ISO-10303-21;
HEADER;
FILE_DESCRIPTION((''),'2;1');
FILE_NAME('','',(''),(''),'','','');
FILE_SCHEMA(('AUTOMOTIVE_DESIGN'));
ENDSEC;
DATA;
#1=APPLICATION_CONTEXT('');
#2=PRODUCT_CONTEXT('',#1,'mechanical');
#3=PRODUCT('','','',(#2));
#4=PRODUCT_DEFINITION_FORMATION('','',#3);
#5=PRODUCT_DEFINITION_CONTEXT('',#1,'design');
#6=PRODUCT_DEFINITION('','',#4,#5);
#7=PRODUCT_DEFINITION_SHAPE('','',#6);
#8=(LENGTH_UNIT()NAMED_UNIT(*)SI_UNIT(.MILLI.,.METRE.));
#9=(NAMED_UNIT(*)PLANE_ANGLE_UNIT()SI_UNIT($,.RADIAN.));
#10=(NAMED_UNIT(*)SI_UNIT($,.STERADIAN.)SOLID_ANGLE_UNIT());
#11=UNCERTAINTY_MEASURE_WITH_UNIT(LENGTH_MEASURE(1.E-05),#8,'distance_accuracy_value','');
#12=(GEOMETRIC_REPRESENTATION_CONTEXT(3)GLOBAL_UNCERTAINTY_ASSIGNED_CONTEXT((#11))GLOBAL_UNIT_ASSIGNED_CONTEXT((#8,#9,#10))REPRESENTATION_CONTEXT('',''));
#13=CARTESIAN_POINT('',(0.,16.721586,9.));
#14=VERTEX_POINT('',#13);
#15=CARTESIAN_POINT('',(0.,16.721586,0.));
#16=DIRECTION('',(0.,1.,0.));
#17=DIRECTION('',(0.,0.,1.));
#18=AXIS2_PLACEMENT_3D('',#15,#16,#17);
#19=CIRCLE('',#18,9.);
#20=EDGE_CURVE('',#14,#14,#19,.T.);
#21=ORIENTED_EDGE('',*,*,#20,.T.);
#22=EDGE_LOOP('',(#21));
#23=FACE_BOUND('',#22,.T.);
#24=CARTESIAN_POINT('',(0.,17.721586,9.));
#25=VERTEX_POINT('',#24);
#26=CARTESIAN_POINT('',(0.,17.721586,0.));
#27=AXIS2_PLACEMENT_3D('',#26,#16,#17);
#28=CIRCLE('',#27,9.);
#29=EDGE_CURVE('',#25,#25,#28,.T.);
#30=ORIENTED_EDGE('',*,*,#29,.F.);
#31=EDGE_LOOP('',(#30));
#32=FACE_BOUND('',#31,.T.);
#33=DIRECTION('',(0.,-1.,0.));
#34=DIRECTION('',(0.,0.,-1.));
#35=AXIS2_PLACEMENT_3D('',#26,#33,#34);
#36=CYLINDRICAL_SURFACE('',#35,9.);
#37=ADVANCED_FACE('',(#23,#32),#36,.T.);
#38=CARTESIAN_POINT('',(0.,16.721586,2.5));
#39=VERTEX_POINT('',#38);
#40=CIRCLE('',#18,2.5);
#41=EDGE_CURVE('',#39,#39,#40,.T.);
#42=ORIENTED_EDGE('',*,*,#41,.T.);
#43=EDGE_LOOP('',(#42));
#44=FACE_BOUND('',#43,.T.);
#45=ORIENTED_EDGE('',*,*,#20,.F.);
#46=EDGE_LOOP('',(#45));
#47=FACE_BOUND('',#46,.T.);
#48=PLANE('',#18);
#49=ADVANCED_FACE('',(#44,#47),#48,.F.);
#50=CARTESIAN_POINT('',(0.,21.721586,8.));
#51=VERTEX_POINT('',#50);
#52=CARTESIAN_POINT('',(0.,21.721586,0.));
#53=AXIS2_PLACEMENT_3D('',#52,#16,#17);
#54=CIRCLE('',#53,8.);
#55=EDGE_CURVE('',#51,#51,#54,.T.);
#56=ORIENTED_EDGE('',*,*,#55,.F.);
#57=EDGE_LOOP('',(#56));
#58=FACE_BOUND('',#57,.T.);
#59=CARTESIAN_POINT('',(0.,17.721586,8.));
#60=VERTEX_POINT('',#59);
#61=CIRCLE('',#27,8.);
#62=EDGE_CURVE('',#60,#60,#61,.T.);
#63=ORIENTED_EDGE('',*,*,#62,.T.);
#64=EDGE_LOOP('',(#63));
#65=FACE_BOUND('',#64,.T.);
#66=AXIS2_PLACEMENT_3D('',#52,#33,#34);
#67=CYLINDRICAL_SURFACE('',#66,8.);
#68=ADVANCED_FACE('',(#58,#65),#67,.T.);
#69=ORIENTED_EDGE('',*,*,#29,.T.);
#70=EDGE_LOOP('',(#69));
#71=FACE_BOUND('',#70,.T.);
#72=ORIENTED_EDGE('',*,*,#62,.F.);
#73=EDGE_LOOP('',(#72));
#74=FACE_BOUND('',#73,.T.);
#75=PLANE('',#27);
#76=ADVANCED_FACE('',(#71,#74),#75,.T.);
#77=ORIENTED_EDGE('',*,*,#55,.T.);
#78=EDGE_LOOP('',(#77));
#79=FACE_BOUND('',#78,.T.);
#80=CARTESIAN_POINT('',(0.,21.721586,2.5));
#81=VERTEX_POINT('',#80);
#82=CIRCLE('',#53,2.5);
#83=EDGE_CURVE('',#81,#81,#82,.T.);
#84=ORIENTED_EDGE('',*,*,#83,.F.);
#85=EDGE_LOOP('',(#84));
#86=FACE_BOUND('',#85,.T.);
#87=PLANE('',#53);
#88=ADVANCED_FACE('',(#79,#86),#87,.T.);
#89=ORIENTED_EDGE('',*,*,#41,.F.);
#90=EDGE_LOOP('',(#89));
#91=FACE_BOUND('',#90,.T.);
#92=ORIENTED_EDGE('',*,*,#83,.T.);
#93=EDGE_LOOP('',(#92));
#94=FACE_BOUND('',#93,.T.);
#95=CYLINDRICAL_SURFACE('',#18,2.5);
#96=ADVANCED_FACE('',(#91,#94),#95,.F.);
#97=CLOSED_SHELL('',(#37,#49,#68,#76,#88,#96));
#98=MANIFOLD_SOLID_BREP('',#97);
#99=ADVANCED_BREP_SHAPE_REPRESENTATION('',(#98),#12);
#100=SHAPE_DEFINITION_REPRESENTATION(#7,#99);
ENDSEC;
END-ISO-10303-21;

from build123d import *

# Parameters (mm, degrees)
SKETCH1_R           = 72
BOSS_EXTRUDE1_DEPTH = 8
SKETCH2_R           = 64
BOSS_EXTRUDE2_DEPTH = 32
SKETCH3_R           = 20
CUT_EXTRUDE1_DEPTH  = 41
SCALE1_SCALE        = 0.125


with BuildPart() as part:
    # Sketch1 → Boss-Extrude1 (new body)
    with BuildSketch(Plane(origin=(0, 0, 0), x_dir=(1, 0, 0), z_dir=(0, 1, 0))):
        Circle(SKETCH1_R)
    extrude(amount=BOSS_EXTRUDE1_DEPTH)

    # Sketch2 → Boss-Extrude2 (add)
    with BuildSketch(Plane(origin=(0, 8, 0), x_dir=(1, 0, 0), z_dir=(0, 1, 0))):
        Circle(SKETCH2_R)
    extrude(amount=BOSS_EXTRUDE2_DEPTH)

    # Sketch3 → Cut-Extrude1 (cut, through all)
    with BuildSketch(Plane(origin=(0, 40, 0), x_dir=(1, 0, 0), z_dir=(0, 1, 0))):
        Circle(SKETCH3_R)
    extrude(amount=-CUT_EXTRUDE1_DEPTH, mode=Mode.SUBTRACT)


with BuildPart() as part_1:
    # Scale1: scaled about (0, 19.110384301, 0)
    add(part.part.scale(SCALE1_SCALE).moved(Location((0, 16.721586263, 0))))


solid = part_1.part
